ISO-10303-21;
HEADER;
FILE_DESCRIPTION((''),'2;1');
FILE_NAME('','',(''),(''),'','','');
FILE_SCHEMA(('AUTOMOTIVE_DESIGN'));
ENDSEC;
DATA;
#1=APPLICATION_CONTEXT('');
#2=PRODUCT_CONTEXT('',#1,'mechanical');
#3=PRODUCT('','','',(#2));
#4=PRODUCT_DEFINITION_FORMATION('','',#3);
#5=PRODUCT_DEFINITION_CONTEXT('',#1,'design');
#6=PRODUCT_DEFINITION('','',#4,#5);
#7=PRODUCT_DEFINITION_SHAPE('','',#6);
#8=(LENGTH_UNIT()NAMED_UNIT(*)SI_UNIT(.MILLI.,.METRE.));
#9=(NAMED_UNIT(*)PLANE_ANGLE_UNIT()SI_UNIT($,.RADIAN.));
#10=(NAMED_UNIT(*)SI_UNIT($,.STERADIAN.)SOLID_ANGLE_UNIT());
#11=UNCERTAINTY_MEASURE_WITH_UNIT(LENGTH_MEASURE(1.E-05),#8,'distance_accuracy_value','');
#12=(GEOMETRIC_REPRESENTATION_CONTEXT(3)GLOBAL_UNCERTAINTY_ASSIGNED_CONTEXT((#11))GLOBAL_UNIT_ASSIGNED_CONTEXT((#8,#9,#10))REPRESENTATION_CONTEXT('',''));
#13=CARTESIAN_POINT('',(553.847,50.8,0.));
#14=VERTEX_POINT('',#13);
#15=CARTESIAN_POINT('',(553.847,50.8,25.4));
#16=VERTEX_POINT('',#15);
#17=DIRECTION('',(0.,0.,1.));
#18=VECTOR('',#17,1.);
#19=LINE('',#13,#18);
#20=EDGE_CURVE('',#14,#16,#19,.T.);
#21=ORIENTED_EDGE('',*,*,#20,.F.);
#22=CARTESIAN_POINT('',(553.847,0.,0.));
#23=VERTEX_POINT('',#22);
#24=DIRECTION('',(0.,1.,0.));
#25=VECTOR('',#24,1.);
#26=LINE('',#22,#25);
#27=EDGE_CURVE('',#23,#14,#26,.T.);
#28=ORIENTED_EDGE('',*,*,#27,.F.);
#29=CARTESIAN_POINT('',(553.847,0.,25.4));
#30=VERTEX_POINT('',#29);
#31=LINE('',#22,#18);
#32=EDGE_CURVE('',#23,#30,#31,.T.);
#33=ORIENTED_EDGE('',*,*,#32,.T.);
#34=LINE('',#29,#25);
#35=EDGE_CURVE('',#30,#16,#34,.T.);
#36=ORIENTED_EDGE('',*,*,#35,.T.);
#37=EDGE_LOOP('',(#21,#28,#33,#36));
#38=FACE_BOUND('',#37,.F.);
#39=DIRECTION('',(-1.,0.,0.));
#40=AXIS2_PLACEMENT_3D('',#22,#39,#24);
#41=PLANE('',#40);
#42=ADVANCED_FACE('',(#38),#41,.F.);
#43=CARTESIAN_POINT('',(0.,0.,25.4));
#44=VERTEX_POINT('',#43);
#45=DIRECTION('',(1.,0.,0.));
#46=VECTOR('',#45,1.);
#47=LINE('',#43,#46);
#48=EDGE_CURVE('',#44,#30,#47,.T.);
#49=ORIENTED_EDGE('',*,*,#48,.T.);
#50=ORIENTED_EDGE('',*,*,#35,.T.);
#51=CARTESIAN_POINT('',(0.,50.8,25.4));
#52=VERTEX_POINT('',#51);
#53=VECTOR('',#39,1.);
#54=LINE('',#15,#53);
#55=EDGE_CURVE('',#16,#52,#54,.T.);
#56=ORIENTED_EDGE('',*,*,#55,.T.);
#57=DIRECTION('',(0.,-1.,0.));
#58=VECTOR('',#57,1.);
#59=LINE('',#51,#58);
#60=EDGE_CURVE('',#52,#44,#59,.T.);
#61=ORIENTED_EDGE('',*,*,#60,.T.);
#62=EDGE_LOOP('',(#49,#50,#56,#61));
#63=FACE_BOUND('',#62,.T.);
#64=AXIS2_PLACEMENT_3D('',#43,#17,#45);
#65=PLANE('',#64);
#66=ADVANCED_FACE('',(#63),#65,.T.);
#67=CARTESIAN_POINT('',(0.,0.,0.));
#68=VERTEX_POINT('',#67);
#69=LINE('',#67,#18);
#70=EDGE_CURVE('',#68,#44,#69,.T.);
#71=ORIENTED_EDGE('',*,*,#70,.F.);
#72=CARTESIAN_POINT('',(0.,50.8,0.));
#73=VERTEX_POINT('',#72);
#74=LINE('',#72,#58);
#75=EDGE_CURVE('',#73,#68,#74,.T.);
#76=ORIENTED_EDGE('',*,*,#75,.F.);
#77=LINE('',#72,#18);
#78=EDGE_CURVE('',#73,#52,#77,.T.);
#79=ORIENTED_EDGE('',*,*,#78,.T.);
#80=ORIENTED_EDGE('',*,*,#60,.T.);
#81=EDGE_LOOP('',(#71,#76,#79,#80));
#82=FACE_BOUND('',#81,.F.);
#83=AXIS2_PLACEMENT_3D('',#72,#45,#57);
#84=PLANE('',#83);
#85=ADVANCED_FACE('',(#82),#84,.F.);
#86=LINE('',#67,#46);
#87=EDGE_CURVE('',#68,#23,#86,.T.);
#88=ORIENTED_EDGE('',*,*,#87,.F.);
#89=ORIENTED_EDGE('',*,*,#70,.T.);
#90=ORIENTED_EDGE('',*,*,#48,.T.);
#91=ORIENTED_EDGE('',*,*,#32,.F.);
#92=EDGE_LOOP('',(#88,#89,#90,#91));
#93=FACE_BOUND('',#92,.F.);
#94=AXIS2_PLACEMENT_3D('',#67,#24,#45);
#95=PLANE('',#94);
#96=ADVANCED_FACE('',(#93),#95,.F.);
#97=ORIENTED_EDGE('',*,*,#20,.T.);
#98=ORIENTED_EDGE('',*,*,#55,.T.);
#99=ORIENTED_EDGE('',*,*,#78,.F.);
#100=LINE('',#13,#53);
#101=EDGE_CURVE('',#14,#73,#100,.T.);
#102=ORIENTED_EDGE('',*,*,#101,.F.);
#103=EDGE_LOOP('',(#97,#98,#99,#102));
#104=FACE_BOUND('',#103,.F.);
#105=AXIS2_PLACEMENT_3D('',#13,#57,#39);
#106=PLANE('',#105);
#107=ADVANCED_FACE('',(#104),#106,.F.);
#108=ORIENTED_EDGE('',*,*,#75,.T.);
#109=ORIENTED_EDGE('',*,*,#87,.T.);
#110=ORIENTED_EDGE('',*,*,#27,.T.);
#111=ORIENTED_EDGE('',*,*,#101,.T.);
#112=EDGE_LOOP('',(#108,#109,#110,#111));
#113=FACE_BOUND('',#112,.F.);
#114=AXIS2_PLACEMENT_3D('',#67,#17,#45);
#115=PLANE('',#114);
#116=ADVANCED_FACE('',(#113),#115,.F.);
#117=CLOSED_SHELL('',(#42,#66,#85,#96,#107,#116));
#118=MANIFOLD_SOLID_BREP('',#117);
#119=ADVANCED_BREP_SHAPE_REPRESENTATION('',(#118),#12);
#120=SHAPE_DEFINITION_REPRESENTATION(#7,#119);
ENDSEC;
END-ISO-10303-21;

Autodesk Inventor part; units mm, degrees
ref_plane "YZ Plane" through (0, 0, 0) normal (1, 0, 0) x (0, 1, 0)
ref_plane "XZ Plane" through (0, 0, 0) normal (0, 1, 0) x (-1, 0, 0)
ref_plane "XY Plane" through (0, 0, 0) normal (0, 0, 1) x (1, 0, 0)
sketch "Sketch1" plane through (0, 0, 0) normal (0, 0, 1) x (1, 0, 0)
  line L0 (0, 0) -> (553.847, 0)
  line L1 (553.847, 0) -> (553.847, 50.8)
  line L2 (553.847, 50.8) -> (0, 50.8)
  line L3 (0, 50.8) -> (0, 0)
  dimension "d0" = 553.847
  dimension "d1" = 50.8
extrude "Extrusion1" add sketch "Sketch1" along normal blind 25.4
properties part number "armt0pper"
